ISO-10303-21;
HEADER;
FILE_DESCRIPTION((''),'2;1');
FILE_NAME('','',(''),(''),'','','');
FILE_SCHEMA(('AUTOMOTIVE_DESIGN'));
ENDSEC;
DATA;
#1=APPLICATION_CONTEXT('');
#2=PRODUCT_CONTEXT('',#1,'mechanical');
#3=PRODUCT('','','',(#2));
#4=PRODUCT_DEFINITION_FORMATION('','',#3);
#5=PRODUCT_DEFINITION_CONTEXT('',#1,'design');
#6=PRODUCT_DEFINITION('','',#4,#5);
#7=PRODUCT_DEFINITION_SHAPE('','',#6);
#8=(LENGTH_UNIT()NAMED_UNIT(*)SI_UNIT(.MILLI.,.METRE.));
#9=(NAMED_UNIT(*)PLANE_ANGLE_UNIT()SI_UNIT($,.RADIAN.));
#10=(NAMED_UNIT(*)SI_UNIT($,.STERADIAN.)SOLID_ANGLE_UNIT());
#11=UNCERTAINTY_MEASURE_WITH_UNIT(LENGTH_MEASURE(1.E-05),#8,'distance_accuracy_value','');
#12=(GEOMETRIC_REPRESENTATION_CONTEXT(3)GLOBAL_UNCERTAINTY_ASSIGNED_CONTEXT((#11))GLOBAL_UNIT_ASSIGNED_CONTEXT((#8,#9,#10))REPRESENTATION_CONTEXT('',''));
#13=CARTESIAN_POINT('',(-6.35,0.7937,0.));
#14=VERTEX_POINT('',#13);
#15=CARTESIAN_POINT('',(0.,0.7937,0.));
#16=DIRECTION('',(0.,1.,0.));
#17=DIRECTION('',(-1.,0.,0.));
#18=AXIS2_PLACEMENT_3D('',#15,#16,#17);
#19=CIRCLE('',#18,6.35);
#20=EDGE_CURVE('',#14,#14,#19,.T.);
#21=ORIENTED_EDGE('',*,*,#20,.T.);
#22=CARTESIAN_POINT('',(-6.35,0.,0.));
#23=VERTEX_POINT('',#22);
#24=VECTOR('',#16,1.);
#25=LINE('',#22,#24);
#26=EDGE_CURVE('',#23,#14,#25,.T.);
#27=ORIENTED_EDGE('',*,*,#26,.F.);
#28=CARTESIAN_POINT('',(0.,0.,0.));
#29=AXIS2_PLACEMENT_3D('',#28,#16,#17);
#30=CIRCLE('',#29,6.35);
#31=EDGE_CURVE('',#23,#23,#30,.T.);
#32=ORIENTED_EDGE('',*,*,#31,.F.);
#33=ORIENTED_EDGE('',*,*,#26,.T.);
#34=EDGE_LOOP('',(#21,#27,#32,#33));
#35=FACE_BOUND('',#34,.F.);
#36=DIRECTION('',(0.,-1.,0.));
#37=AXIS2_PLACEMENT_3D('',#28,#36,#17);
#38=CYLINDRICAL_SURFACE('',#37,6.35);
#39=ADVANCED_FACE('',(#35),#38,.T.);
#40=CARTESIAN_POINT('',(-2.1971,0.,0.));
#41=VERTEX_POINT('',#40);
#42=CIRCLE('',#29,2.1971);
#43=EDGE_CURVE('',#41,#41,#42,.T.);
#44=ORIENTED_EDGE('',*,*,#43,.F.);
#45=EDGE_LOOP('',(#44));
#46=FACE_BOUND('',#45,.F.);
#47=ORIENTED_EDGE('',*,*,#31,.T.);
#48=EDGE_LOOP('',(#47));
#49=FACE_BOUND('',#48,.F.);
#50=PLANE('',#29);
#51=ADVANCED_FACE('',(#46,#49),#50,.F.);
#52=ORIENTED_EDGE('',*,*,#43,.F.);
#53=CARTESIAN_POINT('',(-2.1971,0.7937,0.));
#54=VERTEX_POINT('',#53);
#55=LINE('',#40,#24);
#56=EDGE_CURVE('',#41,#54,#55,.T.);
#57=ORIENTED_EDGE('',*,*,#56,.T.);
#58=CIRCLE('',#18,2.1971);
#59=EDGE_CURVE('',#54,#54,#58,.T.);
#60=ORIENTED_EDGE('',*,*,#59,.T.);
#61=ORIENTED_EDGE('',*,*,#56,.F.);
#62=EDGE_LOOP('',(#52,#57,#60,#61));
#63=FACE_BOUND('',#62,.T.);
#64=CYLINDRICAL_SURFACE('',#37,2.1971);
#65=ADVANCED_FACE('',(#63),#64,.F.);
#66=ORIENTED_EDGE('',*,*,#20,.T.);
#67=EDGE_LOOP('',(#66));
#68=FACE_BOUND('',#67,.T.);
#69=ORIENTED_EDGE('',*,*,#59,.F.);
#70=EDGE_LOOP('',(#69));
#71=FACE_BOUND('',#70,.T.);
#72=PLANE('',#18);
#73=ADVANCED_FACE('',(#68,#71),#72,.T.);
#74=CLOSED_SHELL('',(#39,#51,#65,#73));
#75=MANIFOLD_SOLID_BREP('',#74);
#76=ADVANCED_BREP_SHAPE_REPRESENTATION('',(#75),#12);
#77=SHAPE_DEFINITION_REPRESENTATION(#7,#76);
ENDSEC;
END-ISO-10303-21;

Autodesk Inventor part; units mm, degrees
ref_plane "YZ Plane" through (0, 0, 0) normal (1, 0, 0) x (0, 1, 0)
ref_plane "XZ Plane" through (0, 0, 0) normal (0, 1, 0) x (-1, 0, 0)
ref_plane "XY Plane" through (0, 0, 0) normal (0, 0, 1) x (1, 0, 0)
sketch "Sketch1" plane through (0, 0, 0) normal (0, 1, 0) x (-1, 0, 0)
  circle A0 centre (0, 0) radius 2.1971
  circle A1 centre (0, 0) radius 6.35
  dimension "d0" = 4.3942
  dimension "d1" = 12.7
extrude "Extrusion1" add sketch "Sketch1" along normal blind 0.7937
properties material "Steel, Cast"
